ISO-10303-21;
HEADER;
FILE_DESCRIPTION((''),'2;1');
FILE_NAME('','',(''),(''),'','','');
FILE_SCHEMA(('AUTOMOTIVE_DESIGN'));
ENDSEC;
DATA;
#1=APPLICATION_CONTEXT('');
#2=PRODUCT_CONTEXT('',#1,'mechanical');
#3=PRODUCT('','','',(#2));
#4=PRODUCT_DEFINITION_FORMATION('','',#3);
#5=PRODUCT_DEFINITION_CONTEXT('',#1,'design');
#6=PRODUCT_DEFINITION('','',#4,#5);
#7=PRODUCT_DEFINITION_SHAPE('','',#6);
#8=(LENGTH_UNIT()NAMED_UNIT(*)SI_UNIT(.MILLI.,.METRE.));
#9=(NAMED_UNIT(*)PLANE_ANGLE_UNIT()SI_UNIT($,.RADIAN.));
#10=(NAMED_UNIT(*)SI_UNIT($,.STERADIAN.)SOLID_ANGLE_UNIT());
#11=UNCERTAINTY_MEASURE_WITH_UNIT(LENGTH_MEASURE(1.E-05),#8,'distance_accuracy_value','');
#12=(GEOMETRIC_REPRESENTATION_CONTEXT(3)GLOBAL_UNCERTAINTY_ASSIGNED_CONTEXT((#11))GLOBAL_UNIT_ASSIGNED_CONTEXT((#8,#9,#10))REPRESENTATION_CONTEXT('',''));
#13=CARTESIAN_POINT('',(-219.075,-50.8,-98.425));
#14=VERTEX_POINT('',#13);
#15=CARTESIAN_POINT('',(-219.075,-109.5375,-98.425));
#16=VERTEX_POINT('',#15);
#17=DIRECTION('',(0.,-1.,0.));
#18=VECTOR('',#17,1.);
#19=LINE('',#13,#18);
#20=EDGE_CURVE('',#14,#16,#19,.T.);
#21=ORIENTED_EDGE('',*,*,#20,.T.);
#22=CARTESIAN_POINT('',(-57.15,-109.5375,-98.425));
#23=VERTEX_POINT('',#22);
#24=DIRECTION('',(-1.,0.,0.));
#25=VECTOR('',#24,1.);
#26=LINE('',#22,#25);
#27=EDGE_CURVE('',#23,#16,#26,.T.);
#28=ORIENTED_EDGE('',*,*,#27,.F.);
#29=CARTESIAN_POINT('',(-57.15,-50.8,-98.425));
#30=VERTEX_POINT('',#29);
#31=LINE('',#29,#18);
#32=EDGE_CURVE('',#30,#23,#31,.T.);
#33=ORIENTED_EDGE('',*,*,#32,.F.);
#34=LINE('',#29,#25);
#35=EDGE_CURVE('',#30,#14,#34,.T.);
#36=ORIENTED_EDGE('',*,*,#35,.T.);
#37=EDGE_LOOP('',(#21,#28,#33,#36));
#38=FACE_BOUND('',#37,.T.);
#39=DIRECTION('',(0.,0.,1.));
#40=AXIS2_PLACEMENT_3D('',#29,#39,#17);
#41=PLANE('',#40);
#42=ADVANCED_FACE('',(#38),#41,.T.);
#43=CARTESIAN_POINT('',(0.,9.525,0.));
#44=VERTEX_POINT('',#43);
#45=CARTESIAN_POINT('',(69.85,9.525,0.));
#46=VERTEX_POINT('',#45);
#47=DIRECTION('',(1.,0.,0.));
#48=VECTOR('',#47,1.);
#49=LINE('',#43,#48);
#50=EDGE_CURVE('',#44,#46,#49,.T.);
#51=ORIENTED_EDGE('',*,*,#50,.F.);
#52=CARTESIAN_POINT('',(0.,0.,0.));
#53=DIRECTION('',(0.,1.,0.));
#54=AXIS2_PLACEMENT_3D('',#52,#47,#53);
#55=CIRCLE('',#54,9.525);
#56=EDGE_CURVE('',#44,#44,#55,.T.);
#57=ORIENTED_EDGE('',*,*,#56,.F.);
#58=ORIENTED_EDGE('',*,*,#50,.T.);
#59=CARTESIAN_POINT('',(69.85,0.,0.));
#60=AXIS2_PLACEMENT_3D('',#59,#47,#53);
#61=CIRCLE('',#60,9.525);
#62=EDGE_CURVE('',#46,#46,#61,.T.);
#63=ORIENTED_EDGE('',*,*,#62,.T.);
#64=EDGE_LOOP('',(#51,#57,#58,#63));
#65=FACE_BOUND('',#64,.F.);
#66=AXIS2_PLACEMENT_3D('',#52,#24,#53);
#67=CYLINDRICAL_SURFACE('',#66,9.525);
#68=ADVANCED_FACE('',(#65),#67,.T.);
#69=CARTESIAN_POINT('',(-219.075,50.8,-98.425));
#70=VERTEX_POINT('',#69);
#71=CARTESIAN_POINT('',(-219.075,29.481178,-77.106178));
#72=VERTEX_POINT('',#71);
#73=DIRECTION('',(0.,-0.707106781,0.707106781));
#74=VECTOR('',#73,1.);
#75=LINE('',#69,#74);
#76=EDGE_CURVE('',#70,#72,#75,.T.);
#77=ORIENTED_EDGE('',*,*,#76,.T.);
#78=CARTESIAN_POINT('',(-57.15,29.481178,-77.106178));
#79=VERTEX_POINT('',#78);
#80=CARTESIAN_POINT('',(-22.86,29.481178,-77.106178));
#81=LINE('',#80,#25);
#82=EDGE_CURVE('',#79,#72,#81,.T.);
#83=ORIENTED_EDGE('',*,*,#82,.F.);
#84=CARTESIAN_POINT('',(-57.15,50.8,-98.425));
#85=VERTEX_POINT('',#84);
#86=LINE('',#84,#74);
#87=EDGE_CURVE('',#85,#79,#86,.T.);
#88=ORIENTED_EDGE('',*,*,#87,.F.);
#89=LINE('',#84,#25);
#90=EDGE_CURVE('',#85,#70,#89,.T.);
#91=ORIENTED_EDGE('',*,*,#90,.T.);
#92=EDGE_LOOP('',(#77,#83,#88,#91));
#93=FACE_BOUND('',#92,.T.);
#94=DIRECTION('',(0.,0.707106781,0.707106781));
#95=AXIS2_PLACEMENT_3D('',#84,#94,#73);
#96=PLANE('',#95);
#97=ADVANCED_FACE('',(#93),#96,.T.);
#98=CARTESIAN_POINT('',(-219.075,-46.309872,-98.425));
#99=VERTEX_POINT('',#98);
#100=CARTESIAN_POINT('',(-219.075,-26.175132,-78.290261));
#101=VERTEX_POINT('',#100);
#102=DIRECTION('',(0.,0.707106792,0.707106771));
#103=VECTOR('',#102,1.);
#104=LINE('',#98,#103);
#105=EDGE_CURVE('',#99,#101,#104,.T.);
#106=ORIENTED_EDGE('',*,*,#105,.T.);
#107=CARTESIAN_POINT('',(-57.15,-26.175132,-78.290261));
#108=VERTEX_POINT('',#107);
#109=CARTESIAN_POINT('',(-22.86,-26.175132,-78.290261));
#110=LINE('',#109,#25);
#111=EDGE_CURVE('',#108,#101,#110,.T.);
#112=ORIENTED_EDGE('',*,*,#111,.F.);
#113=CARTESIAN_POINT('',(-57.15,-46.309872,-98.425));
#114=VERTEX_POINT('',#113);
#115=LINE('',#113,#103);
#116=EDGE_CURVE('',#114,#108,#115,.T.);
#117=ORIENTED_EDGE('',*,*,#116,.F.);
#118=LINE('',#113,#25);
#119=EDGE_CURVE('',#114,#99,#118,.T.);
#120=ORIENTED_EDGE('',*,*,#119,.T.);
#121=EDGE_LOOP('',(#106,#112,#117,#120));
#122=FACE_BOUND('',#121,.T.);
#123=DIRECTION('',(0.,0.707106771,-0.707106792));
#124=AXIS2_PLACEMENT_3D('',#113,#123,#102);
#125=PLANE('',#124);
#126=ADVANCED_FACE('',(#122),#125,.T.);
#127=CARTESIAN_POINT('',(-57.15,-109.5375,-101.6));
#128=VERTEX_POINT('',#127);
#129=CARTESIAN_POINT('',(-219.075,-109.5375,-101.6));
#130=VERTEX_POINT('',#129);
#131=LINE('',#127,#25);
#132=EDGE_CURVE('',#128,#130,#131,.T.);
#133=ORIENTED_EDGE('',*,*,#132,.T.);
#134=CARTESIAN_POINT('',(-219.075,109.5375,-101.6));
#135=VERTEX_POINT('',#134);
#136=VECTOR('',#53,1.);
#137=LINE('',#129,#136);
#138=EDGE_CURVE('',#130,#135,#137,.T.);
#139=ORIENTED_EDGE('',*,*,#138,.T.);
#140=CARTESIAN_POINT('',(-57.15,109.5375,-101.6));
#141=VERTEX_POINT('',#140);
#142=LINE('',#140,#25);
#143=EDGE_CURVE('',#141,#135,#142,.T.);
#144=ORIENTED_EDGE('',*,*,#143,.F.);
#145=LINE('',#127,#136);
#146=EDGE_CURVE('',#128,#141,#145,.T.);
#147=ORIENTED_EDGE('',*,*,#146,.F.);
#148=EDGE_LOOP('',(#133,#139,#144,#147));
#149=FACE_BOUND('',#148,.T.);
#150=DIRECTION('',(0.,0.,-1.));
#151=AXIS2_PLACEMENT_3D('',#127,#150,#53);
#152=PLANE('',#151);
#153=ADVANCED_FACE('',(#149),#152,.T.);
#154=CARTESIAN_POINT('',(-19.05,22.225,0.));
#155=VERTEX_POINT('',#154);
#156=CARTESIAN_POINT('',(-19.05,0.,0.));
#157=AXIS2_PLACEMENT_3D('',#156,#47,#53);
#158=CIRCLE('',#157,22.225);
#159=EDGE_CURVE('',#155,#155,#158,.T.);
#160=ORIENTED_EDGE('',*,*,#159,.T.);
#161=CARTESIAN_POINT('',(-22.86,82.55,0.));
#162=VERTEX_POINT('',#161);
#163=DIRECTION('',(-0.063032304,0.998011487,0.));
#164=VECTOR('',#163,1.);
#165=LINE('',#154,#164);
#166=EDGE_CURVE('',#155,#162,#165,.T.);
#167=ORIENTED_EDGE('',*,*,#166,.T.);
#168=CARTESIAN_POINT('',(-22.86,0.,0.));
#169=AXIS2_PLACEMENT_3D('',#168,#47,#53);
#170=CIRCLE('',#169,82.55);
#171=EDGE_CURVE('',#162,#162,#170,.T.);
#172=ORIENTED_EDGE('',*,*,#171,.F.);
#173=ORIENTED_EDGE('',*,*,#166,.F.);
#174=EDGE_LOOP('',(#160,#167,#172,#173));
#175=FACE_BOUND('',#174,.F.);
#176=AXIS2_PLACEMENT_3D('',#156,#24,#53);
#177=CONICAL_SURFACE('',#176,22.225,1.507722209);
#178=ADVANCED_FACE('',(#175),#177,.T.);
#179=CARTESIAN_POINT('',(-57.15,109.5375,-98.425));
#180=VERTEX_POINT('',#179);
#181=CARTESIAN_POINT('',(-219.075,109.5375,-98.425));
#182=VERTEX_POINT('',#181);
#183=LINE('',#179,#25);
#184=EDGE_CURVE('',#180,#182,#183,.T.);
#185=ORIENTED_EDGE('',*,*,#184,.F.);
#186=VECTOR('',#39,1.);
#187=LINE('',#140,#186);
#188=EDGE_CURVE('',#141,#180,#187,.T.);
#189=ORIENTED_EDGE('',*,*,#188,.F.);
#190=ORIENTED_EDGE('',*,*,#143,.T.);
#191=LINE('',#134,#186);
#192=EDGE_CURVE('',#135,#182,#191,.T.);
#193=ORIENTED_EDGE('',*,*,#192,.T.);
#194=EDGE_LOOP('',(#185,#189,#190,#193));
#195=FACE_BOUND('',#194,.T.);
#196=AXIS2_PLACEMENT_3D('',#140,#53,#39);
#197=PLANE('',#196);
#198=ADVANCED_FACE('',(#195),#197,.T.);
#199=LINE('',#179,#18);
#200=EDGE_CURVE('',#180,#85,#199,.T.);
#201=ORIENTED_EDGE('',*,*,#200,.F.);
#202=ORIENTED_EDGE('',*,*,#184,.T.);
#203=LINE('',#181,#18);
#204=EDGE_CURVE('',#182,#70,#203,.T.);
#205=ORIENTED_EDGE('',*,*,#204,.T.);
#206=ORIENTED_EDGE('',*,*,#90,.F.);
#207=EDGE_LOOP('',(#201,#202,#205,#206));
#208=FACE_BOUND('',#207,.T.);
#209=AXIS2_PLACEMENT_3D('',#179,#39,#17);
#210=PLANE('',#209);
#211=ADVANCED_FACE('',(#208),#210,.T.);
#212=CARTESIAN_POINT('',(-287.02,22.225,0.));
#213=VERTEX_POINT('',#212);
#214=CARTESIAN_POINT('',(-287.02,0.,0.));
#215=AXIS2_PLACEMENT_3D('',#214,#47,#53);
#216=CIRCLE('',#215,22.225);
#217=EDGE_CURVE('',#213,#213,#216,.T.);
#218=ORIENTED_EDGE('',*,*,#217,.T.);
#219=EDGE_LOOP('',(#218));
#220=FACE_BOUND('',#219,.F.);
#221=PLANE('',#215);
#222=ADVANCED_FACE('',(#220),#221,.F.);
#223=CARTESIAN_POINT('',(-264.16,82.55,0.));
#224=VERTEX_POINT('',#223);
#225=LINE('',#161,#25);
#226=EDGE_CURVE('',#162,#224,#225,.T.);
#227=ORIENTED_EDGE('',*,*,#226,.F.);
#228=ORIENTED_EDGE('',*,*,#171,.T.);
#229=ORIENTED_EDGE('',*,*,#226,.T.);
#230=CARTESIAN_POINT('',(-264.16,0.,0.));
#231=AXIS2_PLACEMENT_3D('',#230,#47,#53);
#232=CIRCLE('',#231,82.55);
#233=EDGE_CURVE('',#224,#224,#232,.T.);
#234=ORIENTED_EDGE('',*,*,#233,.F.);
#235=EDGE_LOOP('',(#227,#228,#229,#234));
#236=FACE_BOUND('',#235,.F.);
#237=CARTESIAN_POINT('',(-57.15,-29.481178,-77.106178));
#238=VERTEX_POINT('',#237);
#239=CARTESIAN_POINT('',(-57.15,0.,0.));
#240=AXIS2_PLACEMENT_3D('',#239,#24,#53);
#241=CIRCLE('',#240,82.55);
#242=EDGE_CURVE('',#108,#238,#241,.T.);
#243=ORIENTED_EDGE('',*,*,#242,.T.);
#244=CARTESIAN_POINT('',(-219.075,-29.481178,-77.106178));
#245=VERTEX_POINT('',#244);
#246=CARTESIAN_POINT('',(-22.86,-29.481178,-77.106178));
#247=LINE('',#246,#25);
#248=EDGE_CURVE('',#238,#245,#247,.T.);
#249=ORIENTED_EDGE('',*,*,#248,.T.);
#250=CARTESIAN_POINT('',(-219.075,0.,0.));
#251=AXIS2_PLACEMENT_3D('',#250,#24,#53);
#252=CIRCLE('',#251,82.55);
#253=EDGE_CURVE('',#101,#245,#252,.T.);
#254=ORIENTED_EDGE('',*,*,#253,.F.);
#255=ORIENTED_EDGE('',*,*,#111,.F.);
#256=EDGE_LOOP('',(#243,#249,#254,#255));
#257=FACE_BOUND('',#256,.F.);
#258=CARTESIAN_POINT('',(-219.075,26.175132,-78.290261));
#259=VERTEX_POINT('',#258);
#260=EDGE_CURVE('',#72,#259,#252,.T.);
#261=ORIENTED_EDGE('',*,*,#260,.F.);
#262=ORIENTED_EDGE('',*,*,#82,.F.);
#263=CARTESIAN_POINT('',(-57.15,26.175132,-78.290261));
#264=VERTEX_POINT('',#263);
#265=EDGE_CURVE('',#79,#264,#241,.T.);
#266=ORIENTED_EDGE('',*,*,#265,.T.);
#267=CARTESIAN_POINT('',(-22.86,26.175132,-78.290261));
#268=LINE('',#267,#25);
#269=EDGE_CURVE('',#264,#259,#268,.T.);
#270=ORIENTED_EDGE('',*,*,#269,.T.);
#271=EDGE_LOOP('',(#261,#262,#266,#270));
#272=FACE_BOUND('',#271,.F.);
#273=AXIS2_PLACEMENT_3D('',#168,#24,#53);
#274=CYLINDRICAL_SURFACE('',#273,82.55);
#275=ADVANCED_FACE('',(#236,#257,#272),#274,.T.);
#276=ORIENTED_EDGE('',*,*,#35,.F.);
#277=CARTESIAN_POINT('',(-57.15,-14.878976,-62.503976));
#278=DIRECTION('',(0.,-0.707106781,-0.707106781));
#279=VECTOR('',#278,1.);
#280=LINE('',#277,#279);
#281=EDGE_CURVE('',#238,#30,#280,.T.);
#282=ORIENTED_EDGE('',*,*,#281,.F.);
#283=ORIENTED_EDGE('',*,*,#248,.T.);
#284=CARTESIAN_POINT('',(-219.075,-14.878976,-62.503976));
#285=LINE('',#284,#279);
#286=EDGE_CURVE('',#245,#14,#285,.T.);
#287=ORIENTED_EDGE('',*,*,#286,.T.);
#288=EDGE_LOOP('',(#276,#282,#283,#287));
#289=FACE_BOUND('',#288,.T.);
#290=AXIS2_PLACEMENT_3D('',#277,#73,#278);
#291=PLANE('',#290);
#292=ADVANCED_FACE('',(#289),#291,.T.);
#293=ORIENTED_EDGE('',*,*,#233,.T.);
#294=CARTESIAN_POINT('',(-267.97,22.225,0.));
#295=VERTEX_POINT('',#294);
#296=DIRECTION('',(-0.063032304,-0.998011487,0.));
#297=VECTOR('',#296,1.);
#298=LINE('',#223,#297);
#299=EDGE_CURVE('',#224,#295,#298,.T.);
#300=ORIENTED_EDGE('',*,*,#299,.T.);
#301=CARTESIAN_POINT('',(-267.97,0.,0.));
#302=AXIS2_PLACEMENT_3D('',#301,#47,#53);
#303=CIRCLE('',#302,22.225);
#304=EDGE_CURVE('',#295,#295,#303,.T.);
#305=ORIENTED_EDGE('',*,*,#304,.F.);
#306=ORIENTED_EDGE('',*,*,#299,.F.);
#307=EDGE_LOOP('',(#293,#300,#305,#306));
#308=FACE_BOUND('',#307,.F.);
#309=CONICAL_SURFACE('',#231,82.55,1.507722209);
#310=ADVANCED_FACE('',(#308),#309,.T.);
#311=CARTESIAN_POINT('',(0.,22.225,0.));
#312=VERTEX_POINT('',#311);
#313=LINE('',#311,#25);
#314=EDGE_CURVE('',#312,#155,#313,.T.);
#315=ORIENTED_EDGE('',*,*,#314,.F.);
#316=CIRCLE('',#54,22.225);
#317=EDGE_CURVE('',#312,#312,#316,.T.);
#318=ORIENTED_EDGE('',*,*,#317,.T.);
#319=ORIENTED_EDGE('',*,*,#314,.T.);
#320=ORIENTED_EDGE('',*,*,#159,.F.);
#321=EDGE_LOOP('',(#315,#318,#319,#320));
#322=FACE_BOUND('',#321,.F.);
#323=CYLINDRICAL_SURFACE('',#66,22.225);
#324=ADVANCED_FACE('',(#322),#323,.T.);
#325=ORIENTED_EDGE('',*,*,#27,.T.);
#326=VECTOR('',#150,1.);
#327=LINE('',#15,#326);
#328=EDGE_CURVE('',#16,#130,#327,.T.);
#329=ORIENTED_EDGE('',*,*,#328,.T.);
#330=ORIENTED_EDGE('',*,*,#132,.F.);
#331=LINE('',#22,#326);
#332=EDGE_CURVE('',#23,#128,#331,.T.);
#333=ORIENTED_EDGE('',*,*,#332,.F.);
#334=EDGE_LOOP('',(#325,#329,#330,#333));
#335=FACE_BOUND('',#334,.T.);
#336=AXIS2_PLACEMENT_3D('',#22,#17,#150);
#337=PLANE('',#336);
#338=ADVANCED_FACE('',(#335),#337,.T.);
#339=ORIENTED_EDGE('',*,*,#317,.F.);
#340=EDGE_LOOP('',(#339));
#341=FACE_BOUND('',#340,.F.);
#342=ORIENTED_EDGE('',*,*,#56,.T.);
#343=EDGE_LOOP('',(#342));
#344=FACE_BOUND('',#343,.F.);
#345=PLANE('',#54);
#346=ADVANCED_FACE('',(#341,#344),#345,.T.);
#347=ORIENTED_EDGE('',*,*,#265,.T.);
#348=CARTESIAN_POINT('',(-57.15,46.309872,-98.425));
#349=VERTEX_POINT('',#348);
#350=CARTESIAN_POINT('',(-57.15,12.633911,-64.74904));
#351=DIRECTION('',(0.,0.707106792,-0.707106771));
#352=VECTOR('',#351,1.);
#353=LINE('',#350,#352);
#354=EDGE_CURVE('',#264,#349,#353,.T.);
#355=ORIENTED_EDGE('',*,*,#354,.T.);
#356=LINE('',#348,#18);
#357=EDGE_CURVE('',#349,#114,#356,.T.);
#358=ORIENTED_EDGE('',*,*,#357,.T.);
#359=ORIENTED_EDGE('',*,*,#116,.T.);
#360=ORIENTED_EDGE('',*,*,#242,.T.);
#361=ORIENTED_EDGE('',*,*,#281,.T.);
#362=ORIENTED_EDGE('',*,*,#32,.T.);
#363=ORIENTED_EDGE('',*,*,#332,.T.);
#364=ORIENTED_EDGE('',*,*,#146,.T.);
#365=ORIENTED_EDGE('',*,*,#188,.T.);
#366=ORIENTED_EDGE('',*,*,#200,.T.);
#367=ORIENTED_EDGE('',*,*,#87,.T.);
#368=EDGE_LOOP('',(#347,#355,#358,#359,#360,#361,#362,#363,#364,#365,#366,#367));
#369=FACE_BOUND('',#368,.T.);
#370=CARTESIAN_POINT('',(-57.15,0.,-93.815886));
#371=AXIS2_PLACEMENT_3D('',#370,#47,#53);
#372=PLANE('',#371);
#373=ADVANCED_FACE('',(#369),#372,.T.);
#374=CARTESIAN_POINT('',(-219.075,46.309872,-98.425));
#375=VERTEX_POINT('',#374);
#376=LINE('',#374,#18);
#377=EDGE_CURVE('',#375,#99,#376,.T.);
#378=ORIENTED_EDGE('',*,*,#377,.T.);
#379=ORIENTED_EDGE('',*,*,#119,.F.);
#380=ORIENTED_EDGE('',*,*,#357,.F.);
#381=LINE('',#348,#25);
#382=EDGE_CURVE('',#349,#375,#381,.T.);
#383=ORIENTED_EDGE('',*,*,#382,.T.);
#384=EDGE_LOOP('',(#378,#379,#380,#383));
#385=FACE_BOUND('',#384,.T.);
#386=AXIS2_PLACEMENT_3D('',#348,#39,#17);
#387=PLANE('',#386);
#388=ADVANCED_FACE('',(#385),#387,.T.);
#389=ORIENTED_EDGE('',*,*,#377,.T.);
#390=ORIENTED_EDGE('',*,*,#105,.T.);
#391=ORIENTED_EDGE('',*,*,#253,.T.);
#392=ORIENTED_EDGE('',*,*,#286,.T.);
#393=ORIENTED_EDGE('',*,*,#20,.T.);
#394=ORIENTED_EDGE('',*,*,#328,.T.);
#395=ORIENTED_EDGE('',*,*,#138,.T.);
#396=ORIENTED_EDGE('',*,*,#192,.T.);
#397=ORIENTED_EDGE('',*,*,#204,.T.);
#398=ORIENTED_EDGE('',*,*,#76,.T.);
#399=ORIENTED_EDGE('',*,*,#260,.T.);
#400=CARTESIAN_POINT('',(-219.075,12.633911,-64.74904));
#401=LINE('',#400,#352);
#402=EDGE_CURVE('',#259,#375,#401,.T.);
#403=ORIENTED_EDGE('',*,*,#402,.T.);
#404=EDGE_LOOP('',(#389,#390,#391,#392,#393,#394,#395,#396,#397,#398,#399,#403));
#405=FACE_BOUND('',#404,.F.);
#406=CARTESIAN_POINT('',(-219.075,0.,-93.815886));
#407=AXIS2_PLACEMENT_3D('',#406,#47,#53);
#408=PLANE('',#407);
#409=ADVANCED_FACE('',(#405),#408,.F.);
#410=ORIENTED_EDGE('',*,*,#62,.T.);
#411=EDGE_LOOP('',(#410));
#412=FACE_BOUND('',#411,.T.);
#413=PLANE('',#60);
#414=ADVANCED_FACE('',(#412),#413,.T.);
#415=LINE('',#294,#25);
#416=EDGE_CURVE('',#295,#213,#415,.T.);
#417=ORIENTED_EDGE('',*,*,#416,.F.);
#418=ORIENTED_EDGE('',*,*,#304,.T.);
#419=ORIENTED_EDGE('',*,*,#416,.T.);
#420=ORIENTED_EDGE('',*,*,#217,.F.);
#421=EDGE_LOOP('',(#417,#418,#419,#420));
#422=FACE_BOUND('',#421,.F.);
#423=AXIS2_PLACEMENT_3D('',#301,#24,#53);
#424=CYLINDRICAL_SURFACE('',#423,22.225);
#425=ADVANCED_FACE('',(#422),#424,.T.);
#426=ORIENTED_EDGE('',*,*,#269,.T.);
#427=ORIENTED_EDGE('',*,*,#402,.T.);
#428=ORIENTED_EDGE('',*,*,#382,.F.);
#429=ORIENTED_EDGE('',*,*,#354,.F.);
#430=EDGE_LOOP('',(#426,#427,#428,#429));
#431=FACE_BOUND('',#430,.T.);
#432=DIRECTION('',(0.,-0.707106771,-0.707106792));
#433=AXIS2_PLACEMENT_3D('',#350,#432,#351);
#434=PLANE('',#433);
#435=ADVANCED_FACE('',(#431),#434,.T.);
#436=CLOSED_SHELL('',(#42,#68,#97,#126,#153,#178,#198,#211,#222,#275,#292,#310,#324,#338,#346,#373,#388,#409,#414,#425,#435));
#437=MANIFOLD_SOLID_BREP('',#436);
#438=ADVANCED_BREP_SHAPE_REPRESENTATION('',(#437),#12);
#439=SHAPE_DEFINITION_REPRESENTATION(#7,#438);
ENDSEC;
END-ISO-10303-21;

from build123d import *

# Parameters (mm, degrees)
F2_R     = 9.525
F3_DEPTH = 69.85
F6_DEPTH = 161.925


with BuildPart() as f1:
    # F0 (on Top) → F1 (revolve)
    with BuildSketch(Plane.XY):
        Polygon((-287.02, 0), (0, 0), (0, 22.225), (-19.05, 22.225), (-22.86, 82.55), (-264.16, 82.55), (-267.97, 22.225), (-287.02, 22.225), align=None)
    revolve(axis=Axis((-143.51, 0, 0), (1, 0, 0)))

    # F2 (on face) → F3 (join)
    with BuildSketch(Plane.YZ):
        Circle(F2_R)
    extrude(amount=F3_DEPTH)

    # F5 (on offset) → F6 (join)
    with BuildSketch(Plane.YZ.offset(-57.15)):
        Polygon((-50.8, -98.425), (-109.5375, -98.425), (-109.5375, -101.6), (109.5375, -101.6), (109.5375, -98.425), (50.8, -98.425), (14.878976, -62.503976), (12.633911, -64.74904), (46.309872, -98.425), (-46.309872, -98.425), (-12.633911, -64.74904), (-14.878976, -62.503976), align=None)
    extrude(amount=-F6_DEPTH)


solid = f1.part
